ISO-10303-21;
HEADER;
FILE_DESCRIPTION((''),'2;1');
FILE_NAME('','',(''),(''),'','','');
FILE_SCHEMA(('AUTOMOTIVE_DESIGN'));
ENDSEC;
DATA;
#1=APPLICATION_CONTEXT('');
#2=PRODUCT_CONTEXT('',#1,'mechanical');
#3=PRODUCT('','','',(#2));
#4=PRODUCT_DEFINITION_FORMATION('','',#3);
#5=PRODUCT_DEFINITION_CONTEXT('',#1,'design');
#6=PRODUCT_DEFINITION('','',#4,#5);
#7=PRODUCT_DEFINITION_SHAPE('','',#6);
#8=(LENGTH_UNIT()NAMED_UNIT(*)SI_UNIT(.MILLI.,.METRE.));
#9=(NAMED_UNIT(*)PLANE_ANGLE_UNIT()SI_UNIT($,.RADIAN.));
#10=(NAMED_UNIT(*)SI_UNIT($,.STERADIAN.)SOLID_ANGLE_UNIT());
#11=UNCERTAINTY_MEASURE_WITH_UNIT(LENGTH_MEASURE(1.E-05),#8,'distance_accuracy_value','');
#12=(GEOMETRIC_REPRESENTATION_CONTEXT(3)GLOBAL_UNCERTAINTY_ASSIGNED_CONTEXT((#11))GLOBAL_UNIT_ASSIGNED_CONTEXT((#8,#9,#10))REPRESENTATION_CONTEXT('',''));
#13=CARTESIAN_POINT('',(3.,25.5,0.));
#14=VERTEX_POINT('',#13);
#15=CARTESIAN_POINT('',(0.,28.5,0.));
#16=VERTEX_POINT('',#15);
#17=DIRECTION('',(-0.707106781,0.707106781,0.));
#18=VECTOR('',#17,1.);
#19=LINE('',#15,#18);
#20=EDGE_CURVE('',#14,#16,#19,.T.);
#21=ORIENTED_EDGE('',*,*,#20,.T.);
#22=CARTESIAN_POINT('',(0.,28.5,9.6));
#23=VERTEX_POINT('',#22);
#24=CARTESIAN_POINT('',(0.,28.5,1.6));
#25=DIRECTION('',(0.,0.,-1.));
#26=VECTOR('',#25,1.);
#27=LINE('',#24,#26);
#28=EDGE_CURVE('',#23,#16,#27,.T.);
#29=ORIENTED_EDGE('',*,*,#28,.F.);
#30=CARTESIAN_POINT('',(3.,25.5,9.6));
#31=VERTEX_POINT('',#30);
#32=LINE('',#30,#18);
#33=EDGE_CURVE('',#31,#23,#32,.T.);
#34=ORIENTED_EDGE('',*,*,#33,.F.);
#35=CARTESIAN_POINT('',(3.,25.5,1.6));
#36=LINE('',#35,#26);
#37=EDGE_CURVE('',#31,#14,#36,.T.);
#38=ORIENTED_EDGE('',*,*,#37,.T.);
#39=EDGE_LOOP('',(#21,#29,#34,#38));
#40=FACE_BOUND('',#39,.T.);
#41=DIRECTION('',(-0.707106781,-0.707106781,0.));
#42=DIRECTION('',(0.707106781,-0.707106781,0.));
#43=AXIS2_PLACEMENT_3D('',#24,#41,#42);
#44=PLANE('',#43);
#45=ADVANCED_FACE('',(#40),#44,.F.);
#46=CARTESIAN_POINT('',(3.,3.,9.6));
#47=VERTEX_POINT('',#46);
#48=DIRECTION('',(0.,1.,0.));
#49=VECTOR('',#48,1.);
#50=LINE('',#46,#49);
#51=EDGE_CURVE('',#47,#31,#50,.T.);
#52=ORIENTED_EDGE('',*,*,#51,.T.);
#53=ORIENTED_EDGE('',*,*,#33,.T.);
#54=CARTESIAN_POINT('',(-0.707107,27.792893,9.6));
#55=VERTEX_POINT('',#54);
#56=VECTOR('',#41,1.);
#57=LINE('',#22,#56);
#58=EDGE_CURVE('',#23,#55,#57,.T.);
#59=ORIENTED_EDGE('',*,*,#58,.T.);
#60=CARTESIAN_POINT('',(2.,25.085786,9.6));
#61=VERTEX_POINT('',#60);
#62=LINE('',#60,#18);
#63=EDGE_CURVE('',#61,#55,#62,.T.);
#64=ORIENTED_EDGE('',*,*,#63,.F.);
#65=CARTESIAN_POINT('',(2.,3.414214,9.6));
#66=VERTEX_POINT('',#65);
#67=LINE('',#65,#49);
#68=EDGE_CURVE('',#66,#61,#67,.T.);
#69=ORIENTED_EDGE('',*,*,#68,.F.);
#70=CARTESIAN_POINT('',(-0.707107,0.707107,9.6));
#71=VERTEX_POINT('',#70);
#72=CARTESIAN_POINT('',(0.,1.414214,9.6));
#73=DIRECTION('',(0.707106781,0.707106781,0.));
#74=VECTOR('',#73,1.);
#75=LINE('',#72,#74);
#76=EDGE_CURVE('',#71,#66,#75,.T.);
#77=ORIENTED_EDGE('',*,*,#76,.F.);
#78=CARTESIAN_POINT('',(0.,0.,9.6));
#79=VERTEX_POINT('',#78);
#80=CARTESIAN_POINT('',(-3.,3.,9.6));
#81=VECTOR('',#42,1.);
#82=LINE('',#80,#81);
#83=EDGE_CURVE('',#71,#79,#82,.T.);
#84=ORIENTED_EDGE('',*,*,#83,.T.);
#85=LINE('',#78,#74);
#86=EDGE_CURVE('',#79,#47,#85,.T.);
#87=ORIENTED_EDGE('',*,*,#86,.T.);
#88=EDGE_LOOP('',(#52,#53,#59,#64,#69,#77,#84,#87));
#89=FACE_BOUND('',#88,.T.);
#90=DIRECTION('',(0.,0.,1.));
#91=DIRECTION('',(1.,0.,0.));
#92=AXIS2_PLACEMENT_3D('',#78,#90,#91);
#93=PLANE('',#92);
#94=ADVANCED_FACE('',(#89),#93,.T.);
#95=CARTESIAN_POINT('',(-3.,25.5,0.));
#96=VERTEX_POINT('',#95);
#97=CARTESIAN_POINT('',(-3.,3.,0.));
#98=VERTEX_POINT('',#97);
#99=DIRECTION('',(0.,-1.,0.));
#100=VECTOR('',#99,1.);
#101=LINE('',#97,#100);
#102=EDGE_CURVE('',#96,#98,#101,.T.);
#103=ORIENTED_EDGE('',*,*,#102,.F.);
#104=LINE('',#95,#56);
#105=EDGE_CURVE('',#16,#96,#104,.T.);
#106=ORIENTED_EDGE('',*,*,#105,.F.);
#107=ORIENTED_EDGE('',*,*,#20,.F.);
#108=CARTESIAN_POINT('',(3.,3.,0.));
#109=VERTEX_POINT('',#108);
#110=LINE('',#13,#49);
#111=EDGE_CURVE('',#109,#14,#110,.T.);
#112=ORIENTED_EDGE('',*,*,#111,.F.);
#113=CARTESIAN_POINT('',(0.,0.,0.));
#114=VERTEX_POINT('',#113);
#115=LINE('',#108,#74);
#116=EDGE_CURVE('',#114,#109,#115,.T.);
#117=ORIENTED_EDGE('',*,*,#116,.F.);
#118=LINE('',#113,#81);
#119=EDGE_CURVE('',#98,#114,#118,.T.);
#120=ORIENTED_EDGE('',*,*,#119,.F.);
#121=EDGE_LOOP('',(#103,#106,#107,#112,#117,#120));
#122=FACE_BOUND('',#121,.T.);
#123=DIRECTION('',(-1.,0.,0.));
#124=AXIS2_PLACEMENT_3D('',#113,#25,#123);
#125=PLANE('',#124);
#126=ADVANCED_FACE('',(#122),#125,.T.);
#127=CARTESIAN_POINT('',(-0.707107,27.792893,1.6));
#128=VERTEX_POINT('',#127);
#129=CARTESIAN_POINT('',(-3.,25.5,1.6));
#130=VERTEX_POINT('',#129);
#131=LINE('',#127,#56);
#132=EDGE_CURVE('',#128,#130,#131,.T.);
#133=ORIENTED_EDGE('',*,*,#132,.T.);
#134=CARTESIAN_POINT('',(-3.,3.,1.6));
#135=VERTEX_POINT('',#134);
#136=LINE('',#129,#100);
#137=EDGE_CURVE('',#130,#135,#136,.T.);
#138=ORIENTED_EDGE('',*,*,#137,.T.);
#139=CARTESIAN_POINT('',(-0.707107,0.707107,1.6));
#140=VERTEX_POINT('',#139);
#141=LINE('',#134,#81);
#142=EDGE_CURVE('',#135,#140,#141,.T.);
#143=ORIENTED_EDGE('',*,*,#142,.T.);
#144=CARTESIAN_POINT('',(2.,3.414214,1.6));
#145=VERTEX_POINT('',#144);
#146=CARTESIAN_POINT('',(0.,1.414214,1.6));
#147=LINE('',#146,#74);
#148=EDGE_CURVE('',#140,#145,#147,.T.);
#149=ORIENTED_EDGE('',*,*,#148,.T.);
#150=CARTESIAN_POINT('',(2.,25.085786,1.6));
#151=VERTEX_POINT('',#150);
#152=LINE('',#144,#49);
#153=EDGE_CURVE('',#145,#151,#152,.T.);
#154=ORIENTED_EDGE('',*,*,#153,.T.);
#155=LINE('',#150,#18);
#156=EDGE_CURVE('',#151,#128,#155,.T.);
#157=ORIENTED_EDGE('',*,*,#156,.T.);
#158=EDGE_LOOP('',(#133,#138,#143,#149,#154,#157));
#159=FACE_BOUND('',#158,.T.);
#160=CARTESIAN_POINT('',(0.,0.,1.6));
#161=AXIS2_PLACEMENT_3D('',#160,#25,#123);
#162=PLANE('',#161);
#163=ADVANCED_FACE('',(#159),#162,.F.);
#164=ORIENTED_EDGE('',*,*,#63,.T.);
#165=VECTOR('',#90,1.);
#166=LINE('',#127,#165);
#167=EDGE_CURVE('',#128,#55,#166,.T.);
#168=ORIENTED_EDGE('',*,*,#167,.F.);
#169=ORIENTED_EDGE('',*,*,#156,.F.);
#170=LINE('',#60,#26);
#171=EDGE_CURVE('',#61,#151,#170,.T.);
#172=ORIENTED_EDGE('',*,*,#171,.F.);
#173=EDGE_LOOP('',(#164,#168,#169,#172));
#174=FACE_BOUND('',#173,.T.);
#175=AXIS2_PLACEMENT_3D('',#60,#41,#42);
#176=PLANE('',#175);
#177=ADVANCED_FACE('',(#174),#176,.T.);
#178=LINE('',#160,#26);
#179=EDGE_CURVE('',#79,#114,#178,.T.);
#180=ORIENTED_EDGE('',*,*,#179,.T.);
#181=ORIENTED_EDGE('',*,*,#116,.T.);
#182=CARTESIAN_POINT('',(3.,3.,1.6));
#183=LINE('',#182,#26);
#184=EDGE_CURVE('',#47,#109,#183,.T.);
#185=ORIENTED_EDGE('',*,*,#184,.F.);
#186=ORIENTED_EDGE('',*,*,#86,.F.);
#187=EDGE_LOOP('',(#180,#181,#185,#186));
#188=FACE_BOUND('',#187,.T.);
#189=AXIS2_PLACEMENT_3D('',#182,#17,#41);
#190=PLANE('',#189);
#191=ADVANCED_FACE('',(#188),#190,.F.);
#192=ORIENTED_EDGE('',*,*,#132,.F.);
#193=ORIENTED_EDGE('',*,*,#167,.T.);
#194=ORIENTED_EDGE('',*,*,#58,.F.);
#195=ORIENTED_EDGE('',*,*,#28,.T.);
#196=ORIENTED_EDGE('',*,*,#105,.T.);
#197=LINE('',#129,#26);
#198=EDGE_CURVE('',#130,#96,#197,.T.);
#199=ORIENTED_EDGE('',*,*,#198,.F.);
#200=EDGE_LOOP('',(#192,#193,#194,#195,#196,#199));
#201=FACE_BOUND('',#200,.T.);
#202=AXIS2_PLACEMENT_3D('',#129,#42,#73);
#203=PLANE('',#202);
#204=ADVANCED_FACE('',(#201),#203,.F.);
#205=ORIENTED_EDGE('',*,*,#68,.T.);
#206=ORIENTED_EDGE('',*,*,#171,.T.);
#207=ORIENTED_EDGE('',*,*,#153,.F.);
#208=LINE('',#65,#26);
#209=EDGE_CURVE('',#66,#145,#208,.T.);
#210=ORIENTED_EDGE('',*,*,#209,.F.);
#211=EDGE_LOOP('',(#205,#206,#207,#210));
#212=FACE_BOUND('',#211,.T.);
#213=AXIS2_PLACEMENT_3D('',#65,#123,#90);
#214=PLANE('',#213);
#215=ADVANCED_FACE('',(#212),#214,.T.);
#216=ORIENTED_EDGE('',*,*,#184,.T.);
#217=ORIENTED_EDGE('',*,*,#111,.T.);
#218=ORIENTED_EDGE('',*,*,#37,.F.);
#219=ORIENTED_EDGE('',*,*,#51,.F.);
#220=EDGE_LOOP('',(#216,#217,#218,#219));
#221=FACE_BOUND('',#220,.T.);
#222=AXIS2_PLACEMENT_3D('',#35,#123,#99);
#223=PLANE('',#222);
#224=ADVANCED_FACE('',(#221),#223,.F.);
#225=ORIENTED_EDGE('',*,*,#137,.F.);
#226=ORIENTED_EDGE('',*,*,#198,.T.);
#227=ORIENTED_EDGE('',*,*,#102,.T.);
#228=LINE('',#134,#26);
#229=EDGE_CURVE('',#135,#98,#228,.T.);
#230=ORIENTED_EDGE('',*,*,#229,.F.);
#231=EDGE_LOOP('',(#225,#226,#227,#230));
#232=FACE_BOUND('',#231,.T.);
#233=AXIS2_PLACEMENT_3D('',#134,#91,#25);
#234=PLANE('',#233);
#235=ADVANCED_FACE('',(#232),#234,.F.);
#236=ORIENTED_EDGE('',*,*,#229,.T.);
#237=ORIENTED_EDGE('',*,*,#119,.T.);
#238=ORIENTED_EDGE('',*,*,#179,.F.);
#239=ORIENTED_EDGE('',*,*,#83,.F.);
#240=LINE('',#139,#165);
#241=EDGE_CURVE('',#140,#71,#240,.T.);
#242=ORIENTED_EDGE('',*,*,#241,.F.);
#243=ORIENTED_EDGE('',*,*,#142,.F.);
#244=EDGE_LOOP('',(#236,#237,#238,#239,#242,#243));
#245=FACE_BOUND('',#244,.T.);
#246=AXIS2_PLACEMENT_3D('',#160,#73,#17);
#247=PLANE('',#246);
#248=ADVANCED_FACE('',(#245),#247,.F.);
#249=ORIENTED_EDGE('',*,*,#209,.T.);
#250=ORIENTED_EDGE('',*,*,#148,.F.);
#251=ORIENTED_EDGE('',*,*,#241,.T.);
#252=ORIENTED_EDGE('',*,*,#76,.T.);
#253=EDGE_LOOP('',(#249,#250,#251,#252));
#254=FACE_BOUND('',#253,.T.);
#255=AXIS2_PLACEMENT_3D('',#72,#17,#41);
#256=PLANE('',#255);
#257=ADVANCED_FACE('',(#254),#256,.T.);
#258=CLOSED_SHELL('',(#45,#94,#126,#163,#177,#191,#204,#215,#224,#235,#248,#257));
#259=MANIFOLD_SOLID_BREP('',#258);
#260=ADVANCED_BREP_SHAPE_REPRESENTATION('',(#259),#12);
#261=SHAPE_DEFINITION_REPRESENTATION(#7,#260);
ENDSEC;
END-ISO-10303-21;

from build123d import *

# Parameters (mm, degrees)
EXTRUDE_1_DEPTH     = 1.6
EXTRUDE_2_DEPTH     = 8
CUT_EXTRUDE_1_DEPTH = 8


with BuildPart() as part:
    # 草图1 → 凸台-拉伸1 (new body)
    with BuildSketch(Plane.XY):
        Polygon((0, 0), (-3, 3), (-3, 25.5), (0, 28.5), (3, 25.5), (3, 3), align=None)
    extrude(amount=EXTRUDE_1_DEPTH)

    # 草图2 → 凸台-拉伸2 (add)
    with BuildSketch(Plane.XY.offset(1.6)):
        Polygon((0, 0), (3, 3), (3, 25.5), (0, 28.5), (-3, 25.5), (-3, 3), align=None)
        Polygon((0, 1.414213562), (2, 3.414213562), (2, 25.085786438), (0, 27.085786438), (-2, 25.085786438), (-2, 3.414213562), align=None, mode=Mode.SUBTRACT)
    extrude(amount=EXTRUDE_2_DEPTH)

    # 草图3 → 切除-拉伸1 (cut)
    with BuildSketch(Plane.XY.offset(9.6)):
        Polygon((0, 27.085786438), (-0.707106781, 27.792893219), (-3, 25.5), (-3, 3), (-0.707106781, 0.707106781), (0, 1.414213562), (-2, 3.414213562), (-2, 25.085786438), align=None)
    extrude(amount=-CUT_EXTRUDE_1_DEPTH, mode=Mode.SUBTRACT)


solid = part.part
